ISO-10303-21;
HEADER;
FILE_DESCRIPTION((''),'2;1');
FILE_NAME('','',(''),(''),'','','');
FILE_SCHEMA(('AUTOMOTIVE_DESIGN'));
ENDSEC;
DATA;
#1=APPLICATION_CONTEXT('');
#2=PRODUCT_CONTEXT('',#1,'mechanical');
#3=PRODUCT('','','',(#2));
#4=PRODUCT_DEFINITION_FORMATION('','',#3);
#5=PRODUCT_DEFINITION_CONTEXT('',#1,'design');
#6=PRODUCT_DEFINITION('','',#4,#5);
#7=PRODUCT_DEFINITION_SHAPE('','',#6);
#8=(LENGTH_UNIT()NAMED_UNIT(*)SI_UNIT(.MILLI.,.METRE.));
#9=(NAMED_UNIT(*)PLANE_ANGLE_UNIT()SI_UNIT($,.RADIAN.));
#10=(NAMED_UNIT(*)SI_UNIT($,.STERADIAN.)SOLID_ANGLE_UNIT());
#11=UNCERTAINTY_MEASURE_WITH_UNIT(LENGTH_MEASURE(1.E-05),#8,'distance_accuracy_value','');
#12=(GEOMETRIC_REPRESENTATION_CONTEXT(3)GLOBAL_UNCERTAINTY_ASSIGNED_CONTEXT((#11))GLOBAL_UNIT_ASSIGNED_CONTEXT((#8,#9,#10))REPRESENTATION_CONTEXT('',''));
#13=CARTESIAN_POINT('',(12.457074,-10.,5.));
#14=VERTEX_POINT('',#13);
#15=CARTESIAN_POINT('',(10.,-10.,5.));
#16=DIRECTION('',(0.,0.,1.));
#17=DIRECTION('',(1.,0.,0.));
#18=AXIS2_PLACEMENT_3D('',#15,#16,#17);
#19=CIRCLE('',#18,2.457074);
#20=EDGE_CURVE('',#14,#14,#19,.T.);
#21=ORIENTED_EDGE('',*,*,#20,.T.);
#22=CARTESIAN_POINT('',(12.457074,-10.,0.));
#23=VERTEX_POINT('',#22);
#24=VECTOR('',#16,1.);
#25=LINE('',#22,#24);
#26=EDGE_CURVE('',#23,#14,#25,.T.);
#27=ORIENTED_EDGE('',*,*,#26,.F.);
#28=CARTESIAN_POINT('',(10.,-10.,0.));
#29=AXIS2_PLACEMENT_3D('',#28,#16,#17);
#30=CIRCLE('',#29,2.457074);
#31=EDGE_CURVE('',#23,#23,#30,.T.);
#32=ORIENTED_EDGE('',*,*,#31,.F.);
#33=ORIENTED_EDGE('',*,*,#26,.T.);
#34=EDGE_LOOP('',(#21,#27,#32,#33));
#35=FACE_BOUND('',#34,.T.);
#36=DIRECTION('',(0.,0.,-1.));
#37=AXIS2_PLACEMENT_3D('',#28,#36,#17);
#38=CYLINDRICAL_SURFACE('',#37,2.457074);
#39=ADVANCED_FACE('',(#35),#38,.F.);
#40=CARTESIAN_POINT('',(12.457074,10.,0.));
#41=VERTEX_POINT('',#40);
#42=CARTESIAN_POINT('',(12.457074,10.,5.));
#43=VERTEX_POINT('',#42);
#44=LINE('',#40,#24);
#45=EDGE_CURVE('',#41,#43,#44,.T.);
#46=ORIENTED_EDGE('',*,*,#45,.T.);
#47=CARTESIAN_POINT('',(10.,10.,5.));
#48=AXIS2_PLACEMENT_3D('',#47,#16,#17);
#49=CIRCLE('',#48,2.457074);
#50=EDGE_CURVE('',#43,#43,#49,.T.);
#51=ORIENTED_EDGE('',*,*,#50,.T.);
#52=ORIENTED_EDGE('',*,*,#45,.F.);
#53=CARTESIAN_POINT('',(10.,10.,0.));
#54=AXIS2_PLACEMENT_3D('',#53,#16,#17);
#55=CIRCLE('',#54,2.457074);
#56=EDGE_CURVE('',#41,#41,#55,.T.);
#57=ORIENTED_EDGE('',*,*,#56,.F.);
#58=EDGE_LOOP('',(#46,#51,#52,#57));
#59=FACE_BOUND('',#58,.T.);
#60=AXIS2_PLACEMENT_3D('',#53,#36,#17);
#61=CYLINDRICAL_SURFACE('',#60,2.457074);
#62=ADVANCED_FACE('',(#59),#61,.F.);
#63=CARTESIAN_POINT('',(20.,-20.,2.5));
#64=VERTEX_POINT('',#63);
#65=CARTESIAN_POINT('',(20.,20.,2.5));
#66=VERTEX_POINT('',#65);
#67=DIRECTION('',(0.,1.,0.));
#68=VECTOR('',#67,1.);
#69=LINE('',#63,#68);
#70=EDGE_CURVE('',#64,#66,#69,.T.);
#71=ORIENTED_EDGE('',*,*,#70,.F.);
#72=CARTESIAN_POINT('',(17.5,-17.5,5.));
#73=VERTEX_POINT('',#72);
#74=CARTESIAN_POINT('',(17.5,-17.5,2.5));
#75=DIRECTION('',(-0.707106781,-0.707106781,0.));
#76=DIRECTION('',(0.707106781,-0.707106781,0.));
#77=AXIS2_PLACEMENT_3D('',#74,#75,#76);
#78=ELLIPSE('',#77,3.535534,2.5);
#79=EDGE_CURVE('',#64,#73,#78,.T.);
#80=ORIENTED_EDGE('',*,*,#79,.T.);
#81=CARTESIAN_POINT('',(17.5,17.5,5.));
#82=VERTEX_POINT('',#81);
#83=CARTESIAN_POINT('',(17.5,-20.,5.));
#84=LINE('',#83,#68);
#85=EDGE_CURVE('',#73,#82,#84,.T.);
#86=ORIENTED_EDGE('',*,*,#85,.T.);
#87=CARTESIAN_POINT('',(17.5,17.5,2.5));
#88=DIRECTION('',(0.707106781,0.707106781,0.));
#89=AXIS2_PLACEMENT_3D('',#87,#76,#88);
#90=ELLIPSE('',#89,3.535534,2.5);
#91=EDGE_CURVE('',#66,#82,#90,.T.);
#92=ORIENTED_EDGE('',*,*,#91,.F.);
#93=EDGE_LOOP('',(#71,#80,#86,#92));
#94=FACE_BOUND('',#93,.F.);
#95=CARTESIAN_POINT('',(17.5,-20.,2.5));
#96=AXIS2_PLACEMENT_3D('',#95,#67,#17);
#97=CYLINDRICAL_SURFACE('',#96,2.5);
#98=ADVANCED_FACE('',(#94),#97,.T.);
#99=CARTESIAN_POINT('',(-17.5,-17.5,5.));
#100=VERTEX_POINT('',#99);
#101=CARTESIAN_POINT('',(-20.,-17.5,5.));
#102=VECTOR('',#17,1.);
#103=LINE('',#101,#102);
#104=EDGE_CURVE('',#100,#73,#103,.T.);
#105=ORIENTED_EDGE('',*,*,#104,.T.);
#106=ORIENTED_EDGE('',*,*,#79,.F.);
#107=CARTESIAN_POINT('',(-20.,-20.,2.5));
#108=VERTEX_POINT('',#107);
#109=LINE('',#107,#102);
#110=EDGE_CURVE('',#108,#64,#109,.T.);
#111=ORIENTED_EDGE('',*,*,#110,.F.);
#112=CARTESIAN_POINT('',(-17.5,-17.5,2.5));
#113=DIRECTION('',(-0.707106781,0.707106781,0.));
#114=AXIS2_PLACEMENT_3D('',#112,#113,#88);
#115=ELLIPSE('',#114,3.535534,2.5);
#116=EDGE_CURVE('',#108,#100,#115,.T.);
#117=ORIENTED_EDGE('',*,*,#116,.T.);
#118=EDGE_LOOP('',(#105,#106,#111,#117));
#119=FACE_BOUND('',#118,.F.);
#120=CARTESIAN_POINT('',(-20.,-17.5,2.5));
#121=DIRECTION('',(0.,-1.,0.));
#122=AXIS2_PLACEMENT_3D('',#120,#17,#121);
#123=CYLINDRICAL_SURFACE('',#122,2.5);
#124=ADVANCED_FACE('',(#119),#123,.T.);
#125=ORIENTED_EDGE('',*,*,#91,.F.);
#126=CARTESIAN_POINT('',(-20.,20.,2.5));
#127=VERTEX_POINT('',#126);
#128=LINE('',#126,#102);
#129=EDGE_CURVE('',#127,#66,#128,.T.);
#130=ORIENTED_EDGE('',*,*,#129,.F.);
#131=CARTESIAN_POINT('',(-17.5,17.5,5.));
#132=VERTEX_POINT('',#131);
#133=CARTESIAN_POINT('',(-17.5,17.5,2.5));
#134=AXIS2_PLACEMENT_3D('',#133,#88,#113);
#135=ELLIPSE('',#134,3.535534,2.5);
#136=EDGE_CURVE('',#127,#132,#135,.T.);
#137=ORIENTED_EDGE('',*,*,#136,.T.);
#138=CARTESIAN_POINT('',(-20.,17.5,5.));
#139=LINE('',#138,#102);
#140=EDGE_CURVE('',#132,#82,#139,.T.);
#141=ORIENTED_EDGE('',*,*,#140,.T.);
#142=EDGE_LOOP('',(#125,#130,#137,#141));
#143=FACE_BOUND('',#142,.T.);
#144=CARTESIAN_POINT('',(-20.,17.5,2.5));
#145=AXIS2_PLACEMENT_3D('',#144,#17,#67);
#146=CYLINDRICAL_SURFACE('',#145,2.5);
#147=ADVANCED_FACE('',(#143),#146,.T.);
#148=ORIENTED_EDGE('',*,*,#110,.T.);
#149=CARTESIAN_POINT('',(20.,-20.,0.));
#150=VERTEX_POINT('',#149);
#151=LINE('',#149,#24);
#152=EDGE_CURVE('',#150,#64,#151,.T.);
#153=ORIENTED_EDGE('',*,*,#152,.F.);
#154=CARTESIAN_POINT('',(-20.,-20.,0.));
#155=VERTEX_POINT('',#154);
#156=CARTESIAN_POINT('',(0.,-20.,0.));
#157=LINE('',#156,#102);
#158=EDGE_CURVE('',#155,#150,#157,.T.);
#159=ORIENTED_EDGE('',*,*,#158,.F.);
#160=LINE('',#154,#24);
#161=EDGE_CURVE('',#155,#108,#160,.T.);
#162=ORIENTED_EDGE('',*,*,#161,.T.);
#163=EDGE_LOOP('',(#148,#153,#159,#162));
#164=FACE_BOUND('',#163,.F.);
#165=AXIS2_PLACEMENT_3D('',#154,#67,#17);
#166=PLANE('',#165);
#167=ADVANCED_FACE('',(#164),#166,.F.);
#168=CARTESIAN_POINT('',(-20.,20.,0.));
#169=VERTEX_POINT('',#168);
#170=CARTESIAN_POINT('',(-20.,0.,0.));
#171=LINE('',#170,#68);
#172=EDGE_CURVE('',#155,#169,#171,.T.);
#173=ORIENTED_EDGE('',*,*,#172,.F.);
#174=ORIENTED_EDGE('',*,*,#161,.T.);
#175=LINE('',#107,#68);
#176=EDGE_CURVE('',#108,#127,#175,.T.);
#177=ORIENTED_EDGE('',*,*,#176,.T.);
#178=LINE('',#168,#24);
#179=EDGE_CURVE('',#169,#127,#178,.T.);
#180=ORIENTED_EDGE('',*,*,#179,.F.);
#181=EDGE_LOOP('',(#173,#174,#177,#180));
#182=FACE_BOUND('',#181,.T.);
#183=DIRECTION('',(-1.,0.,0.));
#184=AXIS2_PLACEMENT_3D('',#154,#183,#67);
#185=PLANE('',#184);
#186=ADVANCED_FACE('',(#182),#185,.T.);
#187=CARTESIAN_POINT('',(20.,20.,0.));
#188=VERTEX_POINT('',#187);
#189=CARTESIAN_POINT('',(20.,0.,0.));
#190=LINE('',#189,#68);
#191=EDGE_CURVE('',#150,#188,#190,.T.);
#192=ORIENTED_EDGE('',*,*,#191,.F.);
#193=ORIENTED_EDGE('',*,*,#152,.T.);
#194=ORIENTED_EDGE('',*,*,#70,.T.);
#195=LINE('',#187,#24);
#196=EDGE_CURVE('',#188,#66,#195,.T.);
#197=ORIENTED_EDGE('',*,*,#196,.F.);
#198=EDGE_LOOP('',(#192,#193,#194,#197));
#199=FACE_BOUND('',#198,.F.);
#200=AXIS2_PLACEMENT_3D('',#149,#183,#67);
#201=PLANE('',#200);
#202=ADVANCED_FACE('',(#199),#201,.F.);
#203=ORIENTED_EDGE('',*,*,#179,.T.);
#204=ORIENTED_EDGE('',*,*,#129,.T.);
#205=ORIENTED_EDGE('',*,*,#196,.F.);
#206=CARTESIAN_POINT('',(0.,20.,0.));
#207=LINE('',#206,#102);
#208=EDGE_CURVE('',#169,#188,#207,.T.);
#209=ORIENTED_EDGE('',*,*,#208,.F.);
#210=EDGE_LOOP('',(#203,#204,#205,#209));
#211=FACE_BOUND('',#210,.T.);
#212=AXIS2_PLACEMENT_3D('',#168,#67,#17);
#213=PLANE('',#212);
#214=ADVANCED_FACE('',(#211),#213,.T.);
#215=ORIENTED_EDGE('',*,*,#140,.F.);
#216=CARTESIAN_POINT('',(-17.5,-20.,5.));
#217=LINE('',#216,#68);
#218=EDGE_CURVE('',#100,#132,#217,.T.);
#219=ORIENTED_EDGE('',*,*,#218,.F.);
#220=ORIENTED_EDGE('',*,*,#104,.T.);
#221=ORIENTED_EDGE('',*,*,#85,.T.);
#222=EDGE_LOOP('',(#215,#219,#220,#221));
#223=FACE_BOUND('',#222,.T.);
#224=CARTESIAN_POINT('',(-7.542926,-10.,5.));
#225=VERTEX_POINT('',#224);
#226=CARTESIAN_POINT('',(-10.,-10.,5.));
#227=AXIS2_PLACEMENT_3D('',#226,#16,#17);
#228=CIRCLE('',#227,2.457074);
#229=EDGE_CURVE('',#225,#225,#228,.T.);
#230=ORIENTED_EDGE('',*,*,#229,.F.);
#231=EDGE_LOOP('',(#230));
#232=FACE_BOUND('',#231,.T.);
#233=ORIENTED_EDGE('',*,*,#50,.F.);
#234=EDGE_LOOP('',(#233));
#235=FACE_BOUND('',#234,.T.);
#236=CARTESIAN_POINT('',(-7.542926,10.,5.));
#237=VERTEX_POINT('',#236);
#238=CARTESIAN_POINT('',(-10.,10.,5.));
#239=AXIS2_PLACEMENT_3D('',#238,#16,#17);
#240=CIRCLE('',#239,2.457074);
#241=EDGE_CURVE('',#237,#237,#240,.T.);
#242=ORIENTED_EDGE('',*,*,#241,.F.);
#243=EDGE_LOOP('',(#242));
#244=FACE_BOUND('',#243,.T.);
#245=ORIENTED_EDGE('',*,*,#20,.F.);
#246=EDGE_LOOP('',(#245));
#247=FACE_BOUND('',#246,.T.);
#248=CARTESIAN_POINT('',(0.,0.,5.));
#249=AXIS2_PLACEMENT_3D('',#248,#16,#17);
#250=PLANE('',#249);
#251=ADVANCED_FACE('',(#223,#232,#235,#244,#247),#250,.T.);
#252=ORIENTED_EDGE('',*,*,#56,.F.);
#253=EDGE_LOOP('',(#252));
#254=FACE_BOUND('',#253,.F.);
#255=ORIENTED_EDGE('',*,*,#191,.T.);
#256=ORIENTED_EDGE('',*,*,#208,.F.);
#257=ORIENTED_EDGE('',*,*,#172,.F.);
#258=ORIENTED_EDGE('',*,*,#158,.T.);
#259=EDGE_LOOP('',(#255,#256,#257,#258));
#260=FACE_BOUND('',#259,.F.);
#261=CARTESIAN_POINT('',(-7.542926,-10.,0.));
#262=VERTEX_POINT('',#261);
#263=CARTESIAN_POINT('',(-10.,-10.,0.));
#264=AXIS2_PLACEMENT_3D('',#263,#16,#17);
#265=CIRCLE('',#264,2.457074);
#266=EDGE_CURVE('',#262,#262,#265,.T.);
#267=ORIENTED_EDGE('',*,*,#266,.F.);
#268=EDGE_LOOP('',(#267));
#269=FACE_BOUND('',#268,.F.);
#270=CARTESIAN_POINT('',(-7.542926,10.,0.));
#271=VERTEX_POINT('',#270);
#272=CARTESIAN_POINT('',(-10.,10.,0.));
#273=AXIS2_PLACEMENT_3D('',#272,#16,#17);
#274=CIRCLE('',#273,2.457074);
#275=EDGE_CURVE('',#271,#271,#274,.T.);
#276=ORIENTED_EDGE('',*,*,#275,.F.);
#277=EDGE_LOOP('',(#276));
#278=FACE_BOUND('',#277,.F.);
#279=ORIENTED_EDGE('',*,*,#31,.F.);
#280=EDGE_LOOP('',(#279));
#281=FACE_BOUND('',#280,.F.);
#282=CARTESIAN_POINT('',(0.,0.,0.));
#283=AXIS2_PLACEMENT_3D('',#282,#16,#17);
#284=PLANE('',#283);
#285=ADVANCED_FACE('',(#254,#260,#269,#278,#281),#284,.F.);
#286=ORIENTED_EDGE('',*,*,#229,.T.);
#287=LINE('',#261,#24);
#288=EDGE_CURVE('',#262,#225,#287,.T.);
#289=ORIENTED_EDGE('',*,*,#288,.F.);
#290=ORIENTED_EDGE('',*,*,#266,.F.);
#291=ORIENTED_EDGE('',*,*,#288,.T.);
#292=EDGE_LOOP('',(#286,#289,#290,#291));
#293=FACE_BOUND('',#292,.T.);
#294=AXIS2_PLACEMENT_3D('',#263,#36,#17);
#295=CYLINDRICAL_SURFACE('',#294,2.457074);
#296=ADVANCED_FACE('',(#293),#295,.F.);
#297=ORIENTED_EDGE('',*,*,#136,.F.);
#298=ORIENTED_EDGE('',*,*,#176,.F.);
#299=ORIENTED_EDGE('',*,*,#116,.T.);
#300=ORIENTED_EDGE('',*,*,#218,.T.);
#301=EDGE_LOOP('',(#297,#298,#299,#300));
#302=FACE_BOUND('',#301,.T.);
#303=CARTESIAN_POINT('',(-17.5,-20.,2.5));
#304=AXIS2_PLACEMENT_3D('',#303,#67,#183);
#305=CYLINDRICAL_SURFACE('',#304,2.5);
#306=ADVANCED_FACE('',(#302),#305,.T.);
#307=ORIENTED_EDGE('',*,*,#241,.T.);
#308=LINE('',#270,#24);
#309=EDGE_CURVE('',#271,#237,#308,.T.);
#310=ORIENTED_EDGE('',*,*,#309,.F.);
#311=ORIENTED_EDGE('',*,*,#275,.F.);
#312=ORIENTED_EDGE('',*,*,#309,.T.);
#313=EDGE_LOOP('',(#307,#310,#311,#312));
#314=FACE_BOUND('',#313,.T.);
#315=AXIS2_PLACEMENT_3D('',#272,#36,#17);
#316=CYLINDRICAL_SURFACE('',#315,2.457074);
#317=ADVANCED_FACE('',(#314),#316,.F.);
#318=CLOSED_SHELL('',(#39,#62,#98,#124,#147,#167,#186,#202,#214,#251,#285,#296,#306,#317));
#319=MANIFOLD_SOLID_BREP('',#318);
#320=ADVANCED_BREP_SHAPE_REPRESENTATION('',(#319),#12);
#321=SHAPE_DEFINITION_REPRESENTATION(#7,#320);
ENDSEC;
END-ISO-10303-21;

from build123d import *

# Parameters (mm, degrees)
F0_W     = 40
F0_H     = 40
F0_R     = 2.457074
F1_DEPTH = 5
F2_R     = 2.5


with BuildPart() as f1:
    # F0 (on Top) → F1 (new body)
    with BuildSketch(Plane.XY):
        Rectangle(F0_W, F0_H)
        with Locations((-10, -10)):
            Circle(F0_R, mode=Mode.SUBTRACT)
        with Locations((10, -10)):
            Circle(F0_R, mode=Mode.SUBTRACT)
        with Locations((-10, 10)):
            Circle(F0_R, mode=Mode.SUBTRACT)
        with Locations((10, 10)):
            Circle(F0_R, mode=Mode.SUBTRACT)
    extrude(amount=F1_DEPTH)

    # F2
    f2_edges = [f1.edges().sort_by_distance(p)[0] for p in [
        (0, -20, 5),
        (-20, 0, 5),
        (0, 20, 5),
        (20, 0, 5),
    ]]
    fillet(f2_edges, radius=F2_R)


solid = f1.part
